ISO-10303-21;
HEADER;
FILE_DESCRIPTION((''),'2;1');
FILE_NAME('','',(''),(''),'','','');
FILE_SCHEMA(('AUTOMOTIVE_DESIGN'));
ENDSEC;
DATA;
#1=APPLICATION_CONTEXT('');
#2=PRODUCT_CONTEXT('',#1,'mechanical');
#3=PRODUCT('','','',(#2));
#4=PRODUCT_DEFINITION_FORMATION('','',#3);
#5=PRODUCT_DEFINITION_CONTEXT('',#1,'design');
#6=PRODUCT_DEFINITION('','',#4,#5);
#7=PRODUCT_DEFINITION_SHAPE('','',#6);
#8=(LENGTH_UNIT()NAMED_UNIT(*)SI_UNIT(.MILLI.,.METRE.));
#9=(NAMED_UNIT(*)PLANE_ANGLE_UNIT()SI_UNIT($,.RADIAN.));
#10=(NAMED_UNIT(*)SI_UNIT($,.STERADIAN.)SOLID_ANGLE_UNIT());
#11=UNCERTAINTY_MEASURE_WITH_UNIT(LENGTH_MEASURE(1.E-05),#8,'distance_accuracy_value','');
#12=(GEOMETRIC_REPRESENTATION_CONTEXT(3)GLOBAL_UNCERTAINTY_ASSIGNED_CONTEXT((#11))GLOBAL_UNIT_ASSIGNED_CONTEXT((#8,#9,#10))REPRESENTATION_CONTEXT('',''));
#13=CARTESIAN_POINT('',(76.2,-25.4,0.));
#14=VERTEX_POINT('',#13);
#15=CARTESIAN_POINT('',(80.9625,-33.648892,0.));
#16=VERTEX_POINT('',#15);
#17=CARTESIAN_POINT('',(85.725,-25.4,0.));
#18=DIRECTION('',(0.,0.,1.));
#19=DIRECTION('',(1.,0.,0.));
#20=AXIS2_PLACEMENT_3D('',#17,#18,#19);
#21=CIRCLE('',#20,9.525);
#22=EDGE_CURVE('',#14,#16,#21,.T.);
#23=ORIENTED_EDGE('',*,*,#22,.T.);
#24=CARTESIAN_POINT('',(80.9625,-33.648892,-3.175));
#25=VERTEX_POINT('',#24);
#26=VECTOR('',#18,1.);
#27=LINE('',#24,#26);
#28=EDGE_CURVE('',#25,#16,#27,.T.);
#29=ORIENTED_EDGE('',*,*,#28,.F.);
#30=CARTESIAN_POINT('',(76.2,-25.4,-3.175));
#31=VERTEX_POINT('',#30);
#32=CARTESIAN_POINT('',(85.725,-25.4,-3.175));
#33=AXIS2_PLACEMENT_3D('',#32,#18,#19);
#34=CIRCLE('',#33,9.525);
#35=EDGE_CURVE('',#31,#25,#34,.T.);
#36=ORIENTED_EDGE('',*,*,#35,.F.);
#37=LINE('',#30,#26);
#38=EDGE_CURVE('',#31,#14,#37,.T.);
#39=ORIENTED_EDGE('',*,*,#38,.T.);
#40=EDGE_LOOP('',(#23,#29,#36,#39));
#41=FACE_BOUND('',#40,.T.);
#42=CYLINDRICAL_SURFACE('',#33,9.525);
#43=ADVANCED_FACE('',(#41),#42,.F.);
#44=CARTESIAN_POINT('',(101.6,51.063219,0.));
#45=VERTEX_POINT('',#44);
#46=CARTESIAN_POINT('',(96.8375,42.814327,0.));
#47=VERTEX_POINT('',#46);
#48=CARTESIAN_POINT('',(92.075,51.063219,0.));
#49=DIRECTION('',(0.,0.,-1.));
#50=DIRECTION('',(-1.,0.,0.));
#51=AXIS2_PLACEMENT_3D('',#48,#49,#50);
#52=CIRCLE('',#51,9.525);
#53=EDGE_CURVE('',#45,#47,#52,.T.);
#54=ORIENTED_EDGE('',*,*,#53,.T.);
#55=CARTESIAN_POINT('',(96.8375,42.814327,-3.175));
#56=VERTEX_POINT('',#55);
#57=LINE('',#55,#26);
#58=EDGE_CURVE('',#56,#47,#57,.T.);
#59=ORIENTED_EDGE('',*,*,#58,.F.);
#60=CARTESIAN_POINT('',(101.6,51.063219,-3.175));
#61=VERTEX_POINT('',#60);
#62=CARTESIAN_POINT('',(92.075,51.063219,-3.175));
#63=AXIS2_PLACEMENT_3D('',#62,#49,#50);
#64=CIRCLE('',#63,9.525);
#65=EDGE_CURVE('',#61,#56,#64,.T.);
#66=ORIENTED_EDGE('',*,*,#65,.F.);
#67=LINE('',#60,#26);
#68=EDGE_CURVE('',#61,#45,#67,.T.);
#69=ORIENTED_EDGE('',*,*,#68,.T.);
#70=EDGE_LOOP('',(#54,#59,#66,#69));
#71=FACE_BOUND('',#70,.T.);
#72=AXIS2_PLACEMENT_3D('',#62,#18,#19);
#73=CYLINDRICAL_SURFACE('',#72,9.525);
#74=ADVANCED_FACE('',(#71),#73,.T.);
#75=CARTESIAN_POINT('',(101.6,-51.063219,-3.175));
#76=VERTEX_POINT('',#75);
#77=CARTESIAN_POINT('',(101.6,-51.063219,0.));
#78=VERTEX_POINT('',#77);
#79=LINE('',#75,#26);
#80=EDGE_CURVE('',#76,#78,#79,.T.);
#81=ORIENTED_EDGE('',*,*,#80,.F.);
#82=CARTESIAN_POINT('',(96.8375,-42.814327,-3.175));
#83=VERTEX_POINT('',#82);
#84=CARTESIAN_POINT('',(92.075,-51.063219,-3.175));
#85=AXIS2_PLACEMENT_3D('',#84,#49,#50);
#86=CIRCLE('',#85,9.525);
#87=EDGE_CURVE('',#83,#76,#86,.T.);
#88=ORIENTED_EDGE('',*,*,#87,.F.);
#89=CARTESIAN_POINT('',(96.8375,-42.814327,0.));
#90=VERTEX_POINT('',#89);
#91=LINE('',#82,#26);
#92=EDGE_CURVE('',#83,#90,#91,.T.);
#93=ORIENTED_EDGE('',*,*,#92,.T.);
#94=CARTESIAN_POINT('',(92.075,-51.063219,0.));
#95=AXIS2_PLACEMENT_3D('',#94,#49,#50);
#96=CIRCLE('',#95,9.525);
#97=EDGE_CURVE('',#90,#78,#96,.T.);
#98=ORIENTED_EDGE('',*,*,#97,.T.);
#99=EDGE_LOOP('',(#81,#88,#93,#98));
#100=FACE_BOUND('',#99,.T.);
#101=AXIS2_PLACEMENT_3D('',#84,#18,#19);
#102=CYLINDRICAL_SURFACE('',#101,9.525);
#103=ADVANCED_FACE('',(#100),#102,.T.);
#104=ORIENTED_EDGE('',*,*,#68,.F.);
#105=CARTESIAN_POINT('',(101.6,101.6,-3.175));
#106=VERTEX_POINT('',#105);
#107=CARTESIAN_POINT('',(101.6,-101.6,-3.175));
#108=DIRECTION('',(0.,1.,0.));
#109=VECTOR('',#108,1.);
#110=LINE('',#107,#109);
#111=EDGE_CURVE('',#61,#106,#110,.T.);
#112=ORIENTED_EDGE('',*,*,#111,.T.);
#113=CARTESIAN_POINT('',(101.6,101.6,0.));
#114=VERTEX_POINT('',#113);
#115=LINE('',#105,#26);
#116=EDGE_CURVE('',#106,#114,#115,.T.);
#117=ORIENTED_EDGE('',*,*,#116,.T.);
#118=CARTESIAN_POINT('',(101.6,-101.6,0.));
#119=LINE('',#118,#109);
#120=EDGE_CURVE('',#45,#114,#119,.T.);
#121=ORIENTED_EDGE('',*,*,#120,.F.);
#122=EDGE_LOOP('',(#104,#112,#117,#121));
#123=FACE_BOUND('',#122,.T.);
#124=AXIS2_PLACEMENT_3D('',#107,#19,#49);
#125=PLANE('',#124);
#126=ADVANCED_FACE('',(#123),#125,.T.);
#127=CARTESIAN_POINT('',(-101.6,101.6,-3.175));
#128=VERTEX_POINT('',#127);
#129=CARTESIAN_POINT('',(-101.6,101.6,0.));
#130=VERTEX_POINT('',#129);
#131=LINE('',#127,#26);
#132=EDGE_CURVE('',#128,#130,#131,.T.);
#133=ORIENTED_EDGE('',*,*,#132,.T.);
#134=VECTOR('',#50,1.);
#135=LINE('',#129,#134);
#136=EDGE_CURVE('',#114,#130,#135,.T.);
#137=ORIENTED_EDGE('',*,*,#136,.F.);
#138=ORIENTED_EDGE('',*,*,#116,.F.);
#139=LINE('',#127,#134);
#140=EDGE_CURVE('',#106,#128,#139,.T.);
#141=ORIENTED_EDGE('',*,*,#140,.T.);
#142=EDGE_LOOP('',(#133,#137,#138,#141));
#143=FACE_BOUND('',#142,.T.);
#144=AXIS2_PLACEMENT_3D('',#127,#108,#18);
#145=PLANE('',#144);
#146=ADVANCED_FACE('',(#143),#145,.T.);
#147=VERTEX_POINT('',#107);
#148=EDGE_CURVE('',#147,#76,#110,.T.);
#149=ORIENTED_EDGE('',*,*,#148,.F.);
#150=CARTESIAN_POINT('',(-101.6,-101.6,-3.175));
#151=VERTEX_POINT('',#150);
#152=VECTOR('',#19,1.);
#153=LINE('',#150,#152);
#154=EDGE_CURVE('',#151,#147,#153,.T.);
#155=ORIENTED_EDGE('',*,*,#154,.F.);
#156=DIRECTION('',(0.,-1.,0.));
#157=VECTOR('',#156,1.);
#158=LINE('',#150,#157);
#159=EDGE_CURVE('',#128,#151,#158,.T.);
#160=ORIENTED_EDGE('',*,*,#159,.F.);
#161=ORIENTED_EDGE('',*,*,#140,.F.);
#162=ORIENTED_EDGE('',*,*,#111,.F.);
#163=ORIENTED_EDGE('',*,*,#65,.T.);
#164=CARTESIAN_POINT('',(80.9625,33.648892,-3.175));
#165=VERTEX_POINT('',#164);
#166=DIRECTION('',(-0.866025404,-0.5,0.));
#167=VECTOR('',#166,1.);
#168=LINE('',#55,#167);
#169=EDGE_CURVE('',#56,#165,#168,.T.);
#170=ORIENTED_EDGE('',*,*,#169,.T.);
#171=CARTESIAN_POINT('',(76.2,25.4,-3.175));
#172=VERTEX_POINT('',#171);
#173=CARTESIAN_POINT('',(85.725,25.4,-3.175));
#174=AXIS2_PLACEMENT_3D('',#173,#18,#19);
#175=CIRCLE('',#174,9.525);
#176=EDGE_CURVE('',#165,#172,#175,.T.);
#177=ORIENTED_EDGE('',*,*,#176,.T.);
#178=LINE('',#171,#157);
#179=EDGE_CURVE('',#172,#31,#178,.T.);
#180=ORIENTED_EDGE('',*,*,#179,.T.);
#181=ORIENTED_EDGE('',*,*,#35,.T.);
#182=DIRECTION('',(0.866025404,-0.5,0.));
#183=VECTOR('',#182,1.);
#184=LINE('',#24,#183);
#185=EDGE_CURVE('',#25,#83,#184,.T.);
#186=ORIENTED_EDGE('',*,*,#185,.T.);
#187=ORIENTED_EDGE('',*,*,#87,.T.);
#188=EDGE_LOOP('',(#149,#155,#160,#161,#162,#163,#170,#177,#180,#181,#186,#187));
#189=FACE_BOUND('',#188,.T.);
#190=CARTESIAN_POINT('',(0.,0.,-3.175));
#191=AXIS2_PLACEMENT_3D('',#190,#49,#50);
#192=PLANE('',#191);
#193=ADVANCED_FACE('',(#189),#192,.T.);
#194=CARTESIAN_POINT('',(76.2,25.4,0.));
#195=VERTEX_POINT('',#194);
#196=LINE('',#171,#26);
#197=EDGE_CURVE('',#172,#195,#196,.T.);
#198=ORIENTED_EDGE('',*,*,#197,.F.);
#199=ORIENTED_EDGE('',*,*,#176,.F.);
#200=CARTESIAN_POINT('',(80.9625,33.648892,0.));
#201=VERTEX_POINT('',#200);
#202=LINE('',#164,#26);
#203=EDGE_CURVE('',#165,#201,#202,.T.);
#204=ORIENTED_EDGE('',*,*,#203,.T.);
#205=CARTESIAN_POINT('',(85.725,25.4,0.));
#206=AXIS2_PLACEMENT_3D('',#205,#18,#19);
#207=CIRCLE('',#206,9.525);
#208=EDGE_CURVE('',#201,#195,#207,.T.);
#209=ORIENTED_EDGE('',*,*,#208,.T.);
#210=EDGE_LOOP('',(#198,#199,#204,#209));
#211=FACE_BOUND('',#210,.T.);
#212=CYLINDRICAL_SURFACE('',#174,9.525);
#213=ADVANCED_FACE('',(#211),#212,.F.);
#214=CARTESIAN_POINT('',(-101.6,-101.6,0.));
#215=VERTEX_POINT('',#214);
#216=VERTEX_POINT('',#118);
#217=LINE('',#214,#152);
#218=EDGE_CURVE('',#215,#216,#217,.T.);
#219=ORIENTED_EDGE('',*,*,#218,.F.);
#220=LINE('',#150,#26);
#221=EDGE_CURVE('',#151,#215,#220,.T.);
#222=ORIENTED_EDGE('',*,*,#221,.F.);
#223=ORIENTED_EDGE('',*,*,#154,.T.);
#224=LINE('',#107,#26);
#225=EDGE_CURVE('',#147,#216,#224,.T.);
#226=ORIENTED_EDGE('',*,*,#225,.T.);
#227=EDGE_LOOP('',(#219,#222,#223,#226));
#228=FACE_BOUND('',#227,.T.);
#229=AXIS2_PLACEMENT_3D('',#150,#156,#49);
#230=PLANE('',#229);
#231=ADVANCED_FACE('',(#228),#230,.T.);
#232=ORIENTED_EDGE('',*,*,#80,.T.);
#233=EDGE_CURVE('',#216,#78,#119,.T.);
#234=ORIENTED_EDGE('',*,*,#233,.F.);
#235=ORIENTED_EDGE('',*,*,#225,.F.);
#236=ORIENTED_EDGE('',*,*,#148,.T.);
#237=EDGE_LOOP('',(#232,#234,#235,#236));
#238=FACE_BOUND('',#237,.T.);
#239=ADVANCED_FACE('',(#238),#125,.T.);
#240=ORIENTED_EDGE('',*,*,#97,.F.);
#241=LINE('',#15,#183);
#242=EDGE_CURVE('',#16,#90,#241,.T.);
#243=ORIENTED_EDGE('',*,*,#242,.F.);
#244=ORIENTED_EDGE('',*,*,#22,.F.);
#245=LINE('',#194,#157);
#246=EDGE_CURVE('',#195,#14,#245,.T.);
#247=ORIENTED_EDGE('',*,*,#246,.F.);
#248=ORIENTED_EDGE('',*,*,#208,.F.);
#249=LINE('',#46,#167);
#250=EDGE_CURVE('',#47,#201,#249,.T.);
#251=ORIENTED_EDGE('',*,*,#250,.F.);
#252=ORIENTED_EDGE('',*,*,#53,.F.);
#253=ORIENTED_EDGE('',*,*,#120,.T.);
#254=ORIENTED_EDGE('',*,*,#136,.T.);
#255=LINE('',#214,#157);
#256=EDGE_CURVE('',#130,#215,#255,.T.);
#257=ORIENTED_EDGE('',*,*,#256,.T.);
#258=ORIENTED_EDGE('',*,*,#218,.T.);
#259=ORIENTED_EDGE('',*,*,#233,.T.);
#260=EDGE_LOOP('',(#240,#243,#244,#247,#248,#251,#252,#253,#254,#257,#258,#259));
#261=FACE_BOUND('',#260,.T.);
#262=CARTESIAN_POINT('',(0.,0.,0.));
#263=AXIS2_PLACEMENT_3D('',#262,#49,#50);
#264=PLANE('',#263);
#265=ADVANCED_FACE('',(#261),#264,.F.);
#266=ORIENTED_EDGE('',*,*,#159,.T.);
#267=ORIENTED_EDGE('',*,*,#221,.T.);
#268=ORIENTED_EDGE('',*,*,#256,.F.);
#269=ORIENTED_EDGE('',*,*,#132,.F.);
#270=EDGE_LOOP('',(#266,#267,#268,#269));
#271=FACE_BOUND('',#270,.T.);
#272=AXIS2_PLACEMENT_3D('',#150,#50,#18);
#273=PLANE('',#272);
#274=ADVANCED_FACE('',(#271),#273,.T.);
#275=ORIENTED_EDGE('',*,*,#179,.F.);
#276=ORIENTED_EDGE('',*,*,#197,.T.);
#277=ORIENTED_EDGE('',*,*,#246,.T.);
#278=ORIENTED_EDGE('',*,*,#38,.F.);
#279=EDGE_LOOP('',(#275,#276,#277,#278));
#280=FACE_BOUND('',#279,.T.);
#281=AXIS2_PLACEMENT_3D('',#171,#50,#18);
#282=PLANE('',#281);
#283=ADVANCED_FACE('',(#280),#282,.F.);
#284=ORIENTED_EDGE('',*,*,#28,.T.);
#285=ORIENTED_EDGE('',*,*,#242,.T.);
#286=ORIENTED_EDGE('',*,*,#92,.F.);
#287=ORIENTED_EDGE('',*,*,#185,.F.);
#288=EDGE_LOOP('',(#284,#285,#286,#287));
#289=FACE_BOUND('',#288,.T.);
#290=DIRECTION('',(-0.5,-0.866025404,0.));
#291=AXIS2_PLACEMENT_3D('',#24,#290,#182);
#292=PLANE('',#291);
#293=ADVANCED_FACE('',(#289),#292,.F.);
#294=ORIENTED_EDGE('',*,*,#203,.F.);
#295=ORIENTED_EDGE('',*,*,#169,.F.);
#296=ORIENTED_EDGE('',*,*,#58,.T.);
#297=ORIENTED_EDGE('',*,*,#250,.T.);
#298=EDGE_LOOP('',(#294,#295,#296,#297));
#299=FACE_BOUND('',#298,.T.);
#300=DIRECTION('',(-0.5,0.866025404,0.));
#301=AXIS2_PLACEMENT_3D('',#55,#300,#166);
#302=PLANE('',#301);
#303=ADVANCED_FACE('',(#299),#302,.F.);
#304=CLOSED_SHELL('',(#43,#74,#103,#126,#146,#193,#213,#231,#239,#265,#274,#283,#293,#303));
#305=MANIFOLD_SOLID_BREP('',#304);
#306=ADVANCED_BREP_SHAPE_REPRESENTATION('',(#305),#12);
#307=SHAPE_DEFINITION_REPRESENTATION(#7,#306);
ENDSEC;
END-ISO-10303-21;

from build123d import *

# Parameters (mm, degrees)
SKETCH1_W           = 203.2
SKETCH1_H           = 203.2
BOSS_EXTRUDE1_DEPTH = 3.175
CUT_EXTRUDE4_DEPTH  = 144.719172782


with BuildPart() as part:
    # Sketch1 → Boss-Extrude1 (new body)
    with BuildSketch(Plane.XY):
        Rectangle(SKETCH1_W, SKETCH1_H)
    extrude(amount=-BOSS_EXTRUDE1_DEPTH)

    # Sketch10 → Cut-Extrude4 (cut, through all)
    with BuildSketch(Plane.XY):
        with BuildLine():
            Line((96.8375, 42.814327494), (80.9625, 33.648891971))
            ThreePointArc((80.9625, 33.648891971), (77.476108029, 30.1625), (76.2, 25.4))
            Line((76.2, 25.4), (76.2, -25.4))
            ThreePointArc((76.2, -25.4), (77.476108029, -30.1625), (80.9625, -33.648891971))
            Line((80.9625, -33.648891971), (96.8375, -42.814327494))
            ThreePointArc((96.8375, -42.814327494), (100.323891971, -46.300719465), (101.6, -51.063219465))
            Line((101.6, -51.063219465), (101.6, 51.063219465))
            ThreePointArc((101.6, 51.063219465), (100.323891971, 46.300719465), (96.8375, 42.814327494))
        make_face()
    extrude(amount=-CUT_EXTRUDE4_DEPTH, mode=Mode.SUBTRACT)


solid = part.part
